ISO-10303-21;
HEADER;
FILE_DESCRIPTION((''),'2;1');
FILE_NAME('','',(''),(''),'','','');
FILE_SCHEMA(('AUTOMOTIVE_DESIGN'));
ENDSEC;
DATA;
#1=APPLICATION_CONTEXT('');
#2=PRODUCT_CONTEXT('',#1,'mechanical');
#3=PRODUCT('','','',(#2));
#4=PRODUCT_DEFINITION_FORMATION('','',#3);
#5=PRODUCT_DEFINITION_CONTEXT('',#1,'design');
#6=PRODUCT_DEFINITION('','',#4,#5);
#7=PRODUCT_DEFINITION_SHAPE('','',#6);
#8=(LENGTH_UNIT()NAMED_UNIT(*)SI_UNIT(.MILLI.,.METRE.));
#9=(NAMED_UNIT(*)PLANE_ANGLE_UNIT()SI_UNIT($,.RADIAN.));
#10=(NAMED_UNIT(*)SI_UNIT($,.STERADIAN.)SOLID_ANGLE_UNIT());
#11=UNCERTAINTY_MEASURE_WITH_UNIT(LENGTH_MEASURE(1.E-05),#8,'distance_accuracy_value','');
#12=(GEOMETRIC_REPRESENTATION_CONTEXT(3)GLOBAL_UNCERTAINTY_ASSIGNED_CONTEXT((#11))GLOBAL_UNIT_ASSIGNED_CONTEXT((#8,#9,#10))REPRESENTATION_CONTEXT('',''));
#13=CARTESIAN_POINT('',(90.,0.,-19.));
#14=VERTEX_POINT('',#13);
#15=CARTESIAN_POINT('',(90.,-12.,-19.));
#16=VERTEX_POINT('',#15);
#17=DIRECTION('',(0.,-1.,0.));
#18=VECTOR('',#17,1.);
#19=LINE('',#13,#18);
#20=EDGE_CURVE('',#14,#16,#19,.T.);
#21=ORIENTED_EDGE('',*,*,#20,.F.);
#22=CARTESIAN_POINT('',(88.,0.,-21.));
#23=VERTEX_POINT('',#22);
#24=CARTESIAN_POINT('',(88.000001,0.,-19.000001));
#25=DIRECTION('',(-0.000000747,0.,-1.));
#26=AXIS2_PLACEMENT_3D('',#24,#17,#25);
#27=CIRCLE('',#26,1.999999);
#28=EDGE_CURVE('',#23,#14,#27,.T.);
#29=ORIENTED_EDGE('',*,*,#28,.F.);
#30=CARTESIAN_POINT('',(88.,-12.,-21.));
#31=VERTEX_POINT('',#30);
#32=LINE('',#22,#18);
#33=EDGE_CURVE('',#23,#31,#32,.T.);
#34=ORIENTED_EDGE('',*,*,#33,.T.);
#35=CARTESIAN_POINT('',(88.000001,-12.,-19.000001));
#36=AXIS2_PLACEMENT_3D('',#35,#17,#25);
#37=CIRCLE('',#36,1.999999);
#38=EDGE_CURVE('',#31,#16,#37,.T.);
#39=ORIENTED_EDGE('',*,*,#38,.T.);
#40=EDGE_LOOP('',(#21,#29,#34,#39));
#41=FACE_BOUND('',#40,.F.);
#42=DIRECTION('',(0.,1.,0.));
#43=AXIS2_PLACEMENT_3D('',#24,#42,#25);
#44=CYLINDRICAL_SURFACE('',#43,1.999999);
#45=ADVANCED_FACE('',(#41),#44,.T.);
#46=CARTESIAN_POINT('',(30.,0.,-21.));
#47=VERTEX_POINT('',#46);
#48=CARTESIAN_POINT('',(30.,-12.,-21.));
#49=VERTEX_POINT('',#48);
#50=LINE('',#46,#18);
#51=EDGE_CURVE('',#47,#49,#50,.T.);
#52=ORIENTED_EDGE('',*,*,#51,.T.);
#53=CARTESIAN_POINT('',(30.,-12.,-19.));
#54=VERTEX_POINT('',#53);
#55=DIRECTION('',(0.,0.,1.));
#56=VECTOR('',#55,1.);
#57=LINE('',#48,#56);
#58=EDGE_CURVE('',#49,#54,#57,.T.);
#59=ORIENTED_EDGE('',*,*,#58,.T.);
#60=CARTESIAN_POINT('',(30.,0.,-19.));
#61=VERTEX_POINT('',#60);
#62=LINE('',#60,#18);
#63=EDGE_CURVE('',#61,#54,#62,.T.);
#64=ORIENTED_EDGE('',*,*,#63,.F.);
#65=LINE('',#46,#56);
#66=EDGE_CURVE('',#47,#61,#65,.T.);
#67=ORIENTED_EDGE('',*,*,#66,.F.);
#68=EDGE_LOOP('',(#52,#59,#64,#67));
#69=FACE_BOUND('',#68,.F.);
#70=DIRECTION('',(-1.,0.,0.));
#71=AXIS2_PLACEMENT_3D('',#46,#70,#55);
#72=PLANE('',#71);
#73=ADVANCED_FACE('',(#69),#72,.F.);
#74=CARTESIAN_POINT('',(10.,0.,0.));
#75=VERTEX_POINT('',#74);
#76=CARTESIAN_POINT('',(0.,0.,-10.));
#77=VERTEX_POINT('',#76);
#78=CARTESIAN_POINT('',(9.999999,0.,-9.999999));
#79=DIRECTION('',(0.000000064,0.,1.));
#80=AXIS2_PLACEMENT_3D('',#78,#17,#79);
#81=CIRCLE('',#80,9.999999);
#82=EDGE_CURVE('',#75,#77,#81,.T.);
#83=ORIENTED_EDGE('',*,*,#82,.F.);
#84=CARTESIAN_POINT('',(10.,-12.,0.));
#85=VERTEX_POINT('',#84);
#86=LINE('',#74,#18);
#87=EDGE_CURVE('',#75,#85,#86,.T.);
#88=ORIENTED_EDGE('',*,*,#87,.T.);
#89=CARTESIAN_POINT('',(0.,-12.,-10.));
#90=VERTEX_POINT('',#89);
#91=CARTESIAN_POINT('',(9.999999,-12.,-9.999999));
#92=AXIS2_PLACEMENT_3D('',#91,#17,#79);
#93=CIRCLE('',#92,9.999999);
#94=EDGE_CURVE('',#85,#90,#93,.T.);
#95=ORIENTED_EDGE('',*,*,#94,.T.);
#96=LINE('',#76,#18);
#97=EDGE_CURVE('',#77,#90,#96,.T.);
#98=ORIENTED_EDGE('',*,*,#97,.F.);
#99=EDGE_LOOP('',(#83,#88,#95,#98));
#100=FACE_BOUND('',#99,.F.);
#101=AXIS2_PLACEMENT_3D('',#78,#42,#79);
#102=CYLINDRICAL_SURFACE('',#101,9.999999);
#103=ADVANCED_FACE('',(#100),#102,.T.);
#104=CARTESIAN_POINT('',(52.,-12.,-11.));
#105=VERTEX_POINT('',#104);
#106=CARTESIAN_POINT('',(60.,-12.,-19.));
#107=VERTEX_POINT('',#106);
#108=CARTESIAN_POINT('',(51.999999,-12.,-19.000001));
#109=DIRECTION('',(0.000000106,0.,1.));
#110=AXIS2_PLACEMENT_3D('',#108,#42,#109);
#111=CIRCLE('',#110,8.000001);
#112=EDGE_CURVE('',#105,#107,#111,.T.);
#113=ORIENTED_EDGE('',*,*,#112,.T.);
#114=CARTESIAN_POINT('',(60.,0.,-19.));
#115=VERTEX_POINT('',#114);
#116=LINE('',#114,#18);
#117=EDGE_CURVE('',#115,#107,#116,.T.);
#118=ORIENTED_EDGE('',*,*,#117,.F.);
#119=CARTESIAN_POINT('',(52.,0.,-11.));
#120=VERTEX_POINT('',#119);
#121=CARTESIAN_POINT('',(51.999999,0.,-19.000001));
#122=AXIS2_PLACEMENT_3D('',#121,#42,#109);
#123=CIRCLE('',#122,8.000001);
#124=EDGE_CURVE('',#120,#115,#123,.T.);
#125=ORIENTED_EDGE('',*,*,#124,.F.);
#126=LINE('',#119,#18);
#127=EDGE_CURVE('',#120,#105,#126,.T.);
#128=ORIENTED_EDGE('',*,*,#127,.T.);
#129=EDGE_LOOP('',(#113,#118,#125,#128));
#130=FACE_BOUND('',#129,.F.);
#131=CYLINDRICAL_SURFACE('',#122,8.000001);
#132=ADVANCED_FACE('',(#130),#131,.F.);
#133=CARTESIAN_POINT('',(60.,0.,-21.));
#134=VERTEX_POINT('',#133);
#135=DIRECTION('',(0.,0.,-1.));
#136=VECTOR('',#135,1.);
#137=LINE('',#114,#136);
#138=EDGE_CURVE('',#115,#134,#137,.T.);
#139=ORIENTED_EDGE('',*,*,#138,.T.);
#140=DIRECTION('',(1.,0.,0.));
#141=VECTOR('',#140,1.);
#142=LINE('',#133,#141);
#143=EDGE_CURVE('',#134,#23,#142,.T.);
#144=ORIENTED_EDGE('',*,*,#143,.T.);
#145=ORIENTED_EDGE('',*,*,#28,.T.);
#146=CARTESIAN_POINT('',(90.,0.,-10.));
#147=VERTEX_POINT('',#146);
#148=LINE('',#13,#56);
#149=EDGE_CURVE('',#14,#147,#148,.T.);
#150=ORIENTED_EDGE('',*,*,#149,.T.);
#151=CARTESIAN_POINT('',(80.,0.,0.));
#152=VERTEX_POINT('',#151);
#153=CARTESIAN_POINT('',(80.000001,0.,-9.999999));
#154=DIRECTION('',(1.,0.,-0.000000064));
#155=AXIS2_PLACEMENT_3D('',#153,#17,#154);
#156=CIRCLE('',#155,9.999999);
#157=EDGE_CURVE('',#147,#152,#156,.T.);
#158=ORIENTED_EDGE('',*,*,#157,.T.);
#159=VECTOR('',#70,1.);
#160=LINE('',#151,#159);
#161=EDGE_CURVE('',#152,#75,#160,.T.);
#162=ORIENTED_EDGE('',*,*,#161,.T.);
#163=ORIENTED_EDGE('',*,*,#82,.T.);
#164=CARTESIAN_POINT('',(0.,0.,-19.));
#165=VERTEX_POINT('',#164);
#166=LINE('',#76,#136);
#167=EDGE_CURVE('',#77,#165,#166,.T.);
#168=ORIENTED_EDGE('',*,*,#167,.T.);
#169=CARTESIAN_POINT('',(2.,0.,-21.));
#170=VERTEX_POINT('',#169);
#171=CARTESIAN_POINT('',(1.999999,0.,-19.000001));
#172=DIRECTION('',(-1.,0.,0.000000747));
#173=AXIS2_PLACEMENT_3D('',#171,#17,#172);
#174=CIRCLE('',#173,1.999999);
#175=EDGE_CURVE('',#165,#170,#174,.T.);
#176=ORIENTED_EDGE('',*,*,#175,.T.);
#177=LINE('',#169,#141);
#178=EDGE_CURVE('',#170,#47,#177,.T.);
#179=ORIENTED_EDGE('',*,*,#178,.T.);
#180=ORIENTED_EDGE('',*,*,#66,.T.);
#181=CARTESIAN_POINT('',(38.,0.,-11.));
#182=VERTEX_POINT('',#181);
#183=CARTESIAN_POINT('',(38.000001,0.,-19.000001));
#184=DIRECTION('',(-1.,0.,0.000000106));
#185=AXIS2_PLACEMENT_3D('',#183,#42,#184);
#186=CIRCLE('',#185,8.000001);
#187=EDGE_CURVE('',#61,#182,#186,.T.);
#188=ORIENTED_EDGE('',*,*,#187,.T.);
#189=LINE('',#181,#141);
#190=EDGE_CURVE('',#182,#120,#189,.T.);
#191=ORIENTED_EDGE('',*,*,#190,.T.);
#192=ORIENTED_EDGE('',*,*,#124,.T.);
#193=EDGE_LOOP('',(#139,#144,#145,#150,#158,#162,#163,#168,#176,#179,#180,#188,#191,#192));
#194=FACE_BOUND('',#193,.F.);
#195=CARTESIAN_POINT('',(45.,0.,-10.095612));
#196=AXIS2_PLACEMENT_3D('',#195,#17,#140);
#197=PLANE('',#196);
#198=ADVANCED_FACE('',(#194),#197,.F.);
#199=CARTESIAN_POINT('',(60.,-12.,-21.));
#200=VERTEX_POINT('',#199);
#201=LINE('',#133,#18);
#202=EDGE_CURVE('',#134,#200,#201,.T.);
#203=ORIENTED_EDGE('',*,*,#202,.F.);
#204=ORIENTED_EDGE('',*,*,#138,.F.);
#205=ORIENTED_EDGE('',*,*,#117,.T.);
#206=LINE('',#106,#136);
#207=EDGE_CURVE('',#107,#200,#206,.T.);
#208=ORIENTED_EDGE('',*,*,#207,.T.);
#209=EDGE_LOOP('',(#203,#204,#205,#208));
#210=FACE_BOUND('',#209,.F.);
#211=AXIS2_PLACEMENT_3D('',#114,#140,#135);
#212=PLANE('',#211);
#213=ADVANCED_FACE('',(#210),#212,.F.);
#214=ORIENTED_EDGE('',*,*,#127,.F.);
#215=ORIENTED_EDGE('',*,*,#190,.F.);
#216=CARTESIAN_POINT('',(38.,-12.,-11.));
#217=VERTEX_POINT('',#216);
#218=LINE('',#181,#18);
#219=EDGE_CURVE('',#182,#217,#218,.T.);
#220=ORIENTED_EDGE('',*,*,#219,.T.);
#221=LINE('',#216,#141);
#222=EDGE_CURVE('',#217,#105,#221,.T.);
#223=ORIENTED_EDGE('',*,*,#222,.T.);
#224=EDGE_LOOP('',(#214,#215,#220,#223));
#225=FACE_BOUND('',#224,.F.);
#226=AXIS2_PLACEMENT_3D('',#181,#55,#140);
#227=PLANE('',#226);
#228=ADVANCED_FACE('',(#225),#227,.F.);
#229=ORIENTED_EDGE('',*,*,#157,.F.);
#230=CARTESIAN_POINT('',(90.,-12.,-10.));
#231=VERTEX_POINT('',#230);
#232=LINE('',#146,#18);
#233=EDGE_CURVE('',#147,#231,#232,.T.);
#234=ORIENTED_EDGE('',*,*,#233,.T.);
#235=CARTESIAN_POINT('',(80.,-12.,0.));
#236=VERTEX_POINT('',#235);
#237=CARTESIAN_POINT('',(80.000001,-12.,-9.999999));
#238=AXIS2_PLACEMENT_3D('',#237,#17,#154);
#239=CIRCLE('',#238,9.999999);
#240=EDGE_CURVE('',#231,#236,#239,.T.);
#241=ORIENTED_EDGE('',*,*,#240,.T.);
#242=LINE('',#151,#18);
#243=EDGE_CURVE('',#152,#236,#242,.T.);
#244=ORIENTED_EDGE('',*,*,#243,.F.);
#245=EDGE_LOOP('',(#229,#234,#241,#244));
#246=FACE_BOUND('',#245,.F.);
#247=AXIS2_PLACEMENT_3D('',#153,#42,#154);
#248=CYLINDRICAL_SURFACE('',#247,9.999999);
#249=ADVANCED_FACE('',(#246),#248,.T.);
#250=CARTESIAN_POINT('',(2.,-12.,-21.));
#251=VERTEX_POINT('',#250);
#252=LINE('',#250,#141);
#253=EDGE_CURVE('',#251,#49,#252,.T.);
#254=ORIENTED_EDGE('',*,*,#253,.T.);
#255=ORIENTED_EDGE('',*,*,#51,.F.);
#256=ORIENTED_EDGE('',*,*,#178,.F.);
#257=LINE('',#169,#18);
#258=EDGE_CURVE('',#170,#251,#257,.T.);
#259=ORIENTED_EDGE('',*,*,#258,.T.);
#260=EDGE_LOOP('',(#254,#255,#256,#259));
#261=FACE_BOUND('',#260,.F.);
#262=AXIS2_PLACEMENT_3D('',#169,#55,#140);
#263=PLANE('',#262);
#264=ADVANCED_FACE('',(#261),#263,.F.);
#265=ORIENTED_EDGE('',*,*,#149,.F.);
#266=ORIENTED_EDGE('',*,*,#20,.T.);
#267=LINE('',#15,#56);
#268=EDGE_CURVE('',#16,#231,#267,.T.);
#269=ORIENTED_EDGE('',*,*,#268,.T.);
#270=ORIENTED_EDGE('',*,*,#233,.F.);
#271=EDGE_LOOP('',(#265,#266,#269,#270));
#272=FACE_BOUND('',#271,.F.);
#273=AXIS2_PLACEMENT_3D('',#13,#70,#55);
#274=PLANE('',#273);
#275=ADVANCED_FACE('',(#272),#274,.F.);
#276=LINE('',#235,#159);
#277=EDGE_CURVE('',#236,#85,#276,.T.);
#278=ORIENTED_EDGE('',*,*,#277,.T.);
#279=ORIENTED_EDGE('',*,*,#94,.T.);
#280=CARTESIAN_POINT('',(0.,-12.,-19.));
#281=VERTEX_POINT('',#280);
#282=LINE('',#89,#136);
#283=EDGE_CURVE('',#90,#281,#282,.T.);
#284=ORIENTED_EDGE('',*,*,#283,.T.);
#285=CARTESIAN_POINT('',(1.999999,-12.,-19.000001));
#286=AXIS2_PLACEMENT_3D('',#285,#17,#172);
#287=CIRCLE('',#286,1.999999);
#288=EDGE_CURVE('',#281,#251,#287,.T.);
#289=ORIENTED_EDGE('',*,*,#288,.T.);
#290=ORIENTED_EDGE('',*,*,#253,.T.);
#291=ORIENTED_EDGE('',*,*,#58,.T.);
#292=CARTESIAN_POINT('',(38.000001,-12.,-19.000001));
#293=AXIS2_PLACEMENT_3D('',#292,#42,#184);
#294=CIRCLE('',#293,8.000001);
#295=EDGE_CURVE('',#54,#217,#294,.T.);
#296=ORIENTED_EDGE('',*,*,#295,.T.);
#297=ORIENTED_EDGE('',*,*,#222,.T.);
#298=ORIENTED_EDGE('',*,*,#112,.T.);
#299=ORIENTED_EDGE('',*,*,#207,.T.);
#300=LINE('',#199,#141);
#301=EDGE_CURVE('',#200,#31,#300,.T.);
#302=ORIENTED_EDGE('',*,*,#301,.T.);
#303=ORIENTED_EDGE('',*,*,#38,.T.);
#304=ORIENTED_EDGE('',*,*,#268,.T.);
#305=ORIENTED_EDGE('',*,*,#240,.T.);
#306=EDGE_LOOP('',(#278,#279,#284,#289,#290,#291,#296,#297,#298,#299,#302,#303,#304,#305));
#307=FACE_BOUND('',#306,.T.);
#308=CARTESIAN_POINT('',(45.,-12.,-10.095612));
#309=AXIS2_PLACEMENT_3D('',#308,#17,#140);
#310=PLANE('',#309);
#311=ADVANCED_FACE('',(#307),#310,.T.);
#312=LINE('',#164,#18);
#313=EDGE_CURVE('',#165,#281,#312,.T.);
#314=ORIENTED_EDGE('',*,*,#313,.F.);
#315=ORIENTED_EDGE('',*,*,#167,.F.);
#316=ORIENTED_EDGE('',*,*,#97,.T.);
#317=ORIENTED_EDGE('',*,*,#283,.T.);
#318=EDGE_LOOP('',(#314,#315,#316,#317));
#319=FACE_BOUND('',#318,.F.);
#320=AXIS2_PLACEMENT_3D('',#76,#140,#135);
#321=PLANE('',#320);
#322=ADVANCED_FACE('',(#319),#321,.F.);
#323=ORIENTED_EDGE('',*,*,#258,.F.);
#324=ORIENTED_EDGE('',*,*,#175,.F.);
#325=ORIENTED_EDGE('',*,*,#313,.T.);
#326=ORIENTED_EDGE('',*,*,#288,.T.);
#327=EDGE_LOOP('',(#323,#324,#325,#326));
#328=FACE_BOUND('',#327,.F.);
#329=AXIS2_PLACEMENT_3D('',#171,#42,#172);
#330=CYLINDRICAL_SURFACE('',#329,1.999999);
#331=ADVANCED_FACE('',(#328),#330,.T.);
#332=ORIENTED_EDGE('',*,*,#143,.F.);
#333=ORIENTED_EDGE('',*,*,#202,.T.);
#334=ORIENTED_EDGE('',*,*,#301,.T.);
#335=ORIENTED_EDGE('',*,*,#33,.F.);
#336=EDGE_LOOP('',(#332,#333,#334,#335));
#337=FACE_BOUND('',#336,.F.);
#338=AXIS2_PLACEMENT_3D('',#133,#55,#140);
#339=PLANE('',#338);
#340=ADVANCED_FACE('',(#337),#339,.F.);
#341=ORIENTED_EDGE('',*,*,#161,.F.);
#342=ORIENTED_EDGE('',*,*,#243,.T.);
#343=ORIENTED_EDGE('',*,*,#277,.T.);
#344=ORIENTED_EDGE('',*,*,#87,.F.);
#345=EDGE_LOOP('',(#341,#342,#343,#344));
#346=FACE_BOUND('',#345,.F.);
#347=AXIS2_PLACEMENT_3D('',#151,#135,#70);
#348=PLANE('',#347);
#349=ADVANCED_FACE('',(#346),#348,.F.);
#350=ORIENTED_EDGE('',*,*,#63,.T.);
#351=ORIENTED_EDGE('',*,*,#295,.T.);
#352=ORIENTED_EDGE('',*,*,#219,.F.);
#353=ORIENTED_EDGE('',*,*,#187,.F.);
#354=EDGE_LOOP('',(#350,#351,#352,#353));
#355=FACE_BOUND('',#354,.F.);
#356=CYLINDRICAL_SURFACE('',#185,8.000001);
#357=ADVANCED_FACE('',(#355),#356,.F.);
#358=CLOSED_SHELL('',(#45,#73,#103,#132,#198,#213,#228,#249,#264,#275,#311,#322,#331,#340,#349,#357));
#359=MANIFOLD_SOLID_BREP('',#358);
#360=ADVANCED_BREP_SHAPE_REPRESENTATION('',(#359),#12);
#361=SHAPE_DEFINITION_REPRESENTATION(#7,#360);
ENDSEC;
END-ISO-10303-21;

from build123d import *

# Parameters (mm, degrees)
F1_DEPTH = 12


with BuildPart() as f1:
    # F0 (on Front) → F1 (new body)
    with BuildSketch(Plane.XZ):
        with BuildLine():
            Line((80, 0), (10, 0))
            ThreePointArc((10, 0), (2.928932, -2.928932), (0, -10))
            Line((0, -10), (0, -19))
            ThreePointArc((0, -19), (0.585786, -20.414214), (2, -21))
            Line((2, -21), (30, -21))
            Line((30, -21), (30, -19))
            ThreePointArc((30, -19), (32.343146, -13.343146), (38, -11))
            Line((38, -11), (52, -11))
            ThreePointArc((52, -11), (57.656854, -13.343146), (60, -19))
            Line((60, -19), (60, -21))
            Line((60, -21), (88, -21))
            ThreePointArc((88, -21), (89.414214, -20.414214), (90, -19))
            Line((90, -19), (90, -10))
            ThreePointArc((90, -10), (87.071068, -2.928932), (80, 0))
        make_face()
    extrude(amount=F1_DEPTH)


solid = f1.part
